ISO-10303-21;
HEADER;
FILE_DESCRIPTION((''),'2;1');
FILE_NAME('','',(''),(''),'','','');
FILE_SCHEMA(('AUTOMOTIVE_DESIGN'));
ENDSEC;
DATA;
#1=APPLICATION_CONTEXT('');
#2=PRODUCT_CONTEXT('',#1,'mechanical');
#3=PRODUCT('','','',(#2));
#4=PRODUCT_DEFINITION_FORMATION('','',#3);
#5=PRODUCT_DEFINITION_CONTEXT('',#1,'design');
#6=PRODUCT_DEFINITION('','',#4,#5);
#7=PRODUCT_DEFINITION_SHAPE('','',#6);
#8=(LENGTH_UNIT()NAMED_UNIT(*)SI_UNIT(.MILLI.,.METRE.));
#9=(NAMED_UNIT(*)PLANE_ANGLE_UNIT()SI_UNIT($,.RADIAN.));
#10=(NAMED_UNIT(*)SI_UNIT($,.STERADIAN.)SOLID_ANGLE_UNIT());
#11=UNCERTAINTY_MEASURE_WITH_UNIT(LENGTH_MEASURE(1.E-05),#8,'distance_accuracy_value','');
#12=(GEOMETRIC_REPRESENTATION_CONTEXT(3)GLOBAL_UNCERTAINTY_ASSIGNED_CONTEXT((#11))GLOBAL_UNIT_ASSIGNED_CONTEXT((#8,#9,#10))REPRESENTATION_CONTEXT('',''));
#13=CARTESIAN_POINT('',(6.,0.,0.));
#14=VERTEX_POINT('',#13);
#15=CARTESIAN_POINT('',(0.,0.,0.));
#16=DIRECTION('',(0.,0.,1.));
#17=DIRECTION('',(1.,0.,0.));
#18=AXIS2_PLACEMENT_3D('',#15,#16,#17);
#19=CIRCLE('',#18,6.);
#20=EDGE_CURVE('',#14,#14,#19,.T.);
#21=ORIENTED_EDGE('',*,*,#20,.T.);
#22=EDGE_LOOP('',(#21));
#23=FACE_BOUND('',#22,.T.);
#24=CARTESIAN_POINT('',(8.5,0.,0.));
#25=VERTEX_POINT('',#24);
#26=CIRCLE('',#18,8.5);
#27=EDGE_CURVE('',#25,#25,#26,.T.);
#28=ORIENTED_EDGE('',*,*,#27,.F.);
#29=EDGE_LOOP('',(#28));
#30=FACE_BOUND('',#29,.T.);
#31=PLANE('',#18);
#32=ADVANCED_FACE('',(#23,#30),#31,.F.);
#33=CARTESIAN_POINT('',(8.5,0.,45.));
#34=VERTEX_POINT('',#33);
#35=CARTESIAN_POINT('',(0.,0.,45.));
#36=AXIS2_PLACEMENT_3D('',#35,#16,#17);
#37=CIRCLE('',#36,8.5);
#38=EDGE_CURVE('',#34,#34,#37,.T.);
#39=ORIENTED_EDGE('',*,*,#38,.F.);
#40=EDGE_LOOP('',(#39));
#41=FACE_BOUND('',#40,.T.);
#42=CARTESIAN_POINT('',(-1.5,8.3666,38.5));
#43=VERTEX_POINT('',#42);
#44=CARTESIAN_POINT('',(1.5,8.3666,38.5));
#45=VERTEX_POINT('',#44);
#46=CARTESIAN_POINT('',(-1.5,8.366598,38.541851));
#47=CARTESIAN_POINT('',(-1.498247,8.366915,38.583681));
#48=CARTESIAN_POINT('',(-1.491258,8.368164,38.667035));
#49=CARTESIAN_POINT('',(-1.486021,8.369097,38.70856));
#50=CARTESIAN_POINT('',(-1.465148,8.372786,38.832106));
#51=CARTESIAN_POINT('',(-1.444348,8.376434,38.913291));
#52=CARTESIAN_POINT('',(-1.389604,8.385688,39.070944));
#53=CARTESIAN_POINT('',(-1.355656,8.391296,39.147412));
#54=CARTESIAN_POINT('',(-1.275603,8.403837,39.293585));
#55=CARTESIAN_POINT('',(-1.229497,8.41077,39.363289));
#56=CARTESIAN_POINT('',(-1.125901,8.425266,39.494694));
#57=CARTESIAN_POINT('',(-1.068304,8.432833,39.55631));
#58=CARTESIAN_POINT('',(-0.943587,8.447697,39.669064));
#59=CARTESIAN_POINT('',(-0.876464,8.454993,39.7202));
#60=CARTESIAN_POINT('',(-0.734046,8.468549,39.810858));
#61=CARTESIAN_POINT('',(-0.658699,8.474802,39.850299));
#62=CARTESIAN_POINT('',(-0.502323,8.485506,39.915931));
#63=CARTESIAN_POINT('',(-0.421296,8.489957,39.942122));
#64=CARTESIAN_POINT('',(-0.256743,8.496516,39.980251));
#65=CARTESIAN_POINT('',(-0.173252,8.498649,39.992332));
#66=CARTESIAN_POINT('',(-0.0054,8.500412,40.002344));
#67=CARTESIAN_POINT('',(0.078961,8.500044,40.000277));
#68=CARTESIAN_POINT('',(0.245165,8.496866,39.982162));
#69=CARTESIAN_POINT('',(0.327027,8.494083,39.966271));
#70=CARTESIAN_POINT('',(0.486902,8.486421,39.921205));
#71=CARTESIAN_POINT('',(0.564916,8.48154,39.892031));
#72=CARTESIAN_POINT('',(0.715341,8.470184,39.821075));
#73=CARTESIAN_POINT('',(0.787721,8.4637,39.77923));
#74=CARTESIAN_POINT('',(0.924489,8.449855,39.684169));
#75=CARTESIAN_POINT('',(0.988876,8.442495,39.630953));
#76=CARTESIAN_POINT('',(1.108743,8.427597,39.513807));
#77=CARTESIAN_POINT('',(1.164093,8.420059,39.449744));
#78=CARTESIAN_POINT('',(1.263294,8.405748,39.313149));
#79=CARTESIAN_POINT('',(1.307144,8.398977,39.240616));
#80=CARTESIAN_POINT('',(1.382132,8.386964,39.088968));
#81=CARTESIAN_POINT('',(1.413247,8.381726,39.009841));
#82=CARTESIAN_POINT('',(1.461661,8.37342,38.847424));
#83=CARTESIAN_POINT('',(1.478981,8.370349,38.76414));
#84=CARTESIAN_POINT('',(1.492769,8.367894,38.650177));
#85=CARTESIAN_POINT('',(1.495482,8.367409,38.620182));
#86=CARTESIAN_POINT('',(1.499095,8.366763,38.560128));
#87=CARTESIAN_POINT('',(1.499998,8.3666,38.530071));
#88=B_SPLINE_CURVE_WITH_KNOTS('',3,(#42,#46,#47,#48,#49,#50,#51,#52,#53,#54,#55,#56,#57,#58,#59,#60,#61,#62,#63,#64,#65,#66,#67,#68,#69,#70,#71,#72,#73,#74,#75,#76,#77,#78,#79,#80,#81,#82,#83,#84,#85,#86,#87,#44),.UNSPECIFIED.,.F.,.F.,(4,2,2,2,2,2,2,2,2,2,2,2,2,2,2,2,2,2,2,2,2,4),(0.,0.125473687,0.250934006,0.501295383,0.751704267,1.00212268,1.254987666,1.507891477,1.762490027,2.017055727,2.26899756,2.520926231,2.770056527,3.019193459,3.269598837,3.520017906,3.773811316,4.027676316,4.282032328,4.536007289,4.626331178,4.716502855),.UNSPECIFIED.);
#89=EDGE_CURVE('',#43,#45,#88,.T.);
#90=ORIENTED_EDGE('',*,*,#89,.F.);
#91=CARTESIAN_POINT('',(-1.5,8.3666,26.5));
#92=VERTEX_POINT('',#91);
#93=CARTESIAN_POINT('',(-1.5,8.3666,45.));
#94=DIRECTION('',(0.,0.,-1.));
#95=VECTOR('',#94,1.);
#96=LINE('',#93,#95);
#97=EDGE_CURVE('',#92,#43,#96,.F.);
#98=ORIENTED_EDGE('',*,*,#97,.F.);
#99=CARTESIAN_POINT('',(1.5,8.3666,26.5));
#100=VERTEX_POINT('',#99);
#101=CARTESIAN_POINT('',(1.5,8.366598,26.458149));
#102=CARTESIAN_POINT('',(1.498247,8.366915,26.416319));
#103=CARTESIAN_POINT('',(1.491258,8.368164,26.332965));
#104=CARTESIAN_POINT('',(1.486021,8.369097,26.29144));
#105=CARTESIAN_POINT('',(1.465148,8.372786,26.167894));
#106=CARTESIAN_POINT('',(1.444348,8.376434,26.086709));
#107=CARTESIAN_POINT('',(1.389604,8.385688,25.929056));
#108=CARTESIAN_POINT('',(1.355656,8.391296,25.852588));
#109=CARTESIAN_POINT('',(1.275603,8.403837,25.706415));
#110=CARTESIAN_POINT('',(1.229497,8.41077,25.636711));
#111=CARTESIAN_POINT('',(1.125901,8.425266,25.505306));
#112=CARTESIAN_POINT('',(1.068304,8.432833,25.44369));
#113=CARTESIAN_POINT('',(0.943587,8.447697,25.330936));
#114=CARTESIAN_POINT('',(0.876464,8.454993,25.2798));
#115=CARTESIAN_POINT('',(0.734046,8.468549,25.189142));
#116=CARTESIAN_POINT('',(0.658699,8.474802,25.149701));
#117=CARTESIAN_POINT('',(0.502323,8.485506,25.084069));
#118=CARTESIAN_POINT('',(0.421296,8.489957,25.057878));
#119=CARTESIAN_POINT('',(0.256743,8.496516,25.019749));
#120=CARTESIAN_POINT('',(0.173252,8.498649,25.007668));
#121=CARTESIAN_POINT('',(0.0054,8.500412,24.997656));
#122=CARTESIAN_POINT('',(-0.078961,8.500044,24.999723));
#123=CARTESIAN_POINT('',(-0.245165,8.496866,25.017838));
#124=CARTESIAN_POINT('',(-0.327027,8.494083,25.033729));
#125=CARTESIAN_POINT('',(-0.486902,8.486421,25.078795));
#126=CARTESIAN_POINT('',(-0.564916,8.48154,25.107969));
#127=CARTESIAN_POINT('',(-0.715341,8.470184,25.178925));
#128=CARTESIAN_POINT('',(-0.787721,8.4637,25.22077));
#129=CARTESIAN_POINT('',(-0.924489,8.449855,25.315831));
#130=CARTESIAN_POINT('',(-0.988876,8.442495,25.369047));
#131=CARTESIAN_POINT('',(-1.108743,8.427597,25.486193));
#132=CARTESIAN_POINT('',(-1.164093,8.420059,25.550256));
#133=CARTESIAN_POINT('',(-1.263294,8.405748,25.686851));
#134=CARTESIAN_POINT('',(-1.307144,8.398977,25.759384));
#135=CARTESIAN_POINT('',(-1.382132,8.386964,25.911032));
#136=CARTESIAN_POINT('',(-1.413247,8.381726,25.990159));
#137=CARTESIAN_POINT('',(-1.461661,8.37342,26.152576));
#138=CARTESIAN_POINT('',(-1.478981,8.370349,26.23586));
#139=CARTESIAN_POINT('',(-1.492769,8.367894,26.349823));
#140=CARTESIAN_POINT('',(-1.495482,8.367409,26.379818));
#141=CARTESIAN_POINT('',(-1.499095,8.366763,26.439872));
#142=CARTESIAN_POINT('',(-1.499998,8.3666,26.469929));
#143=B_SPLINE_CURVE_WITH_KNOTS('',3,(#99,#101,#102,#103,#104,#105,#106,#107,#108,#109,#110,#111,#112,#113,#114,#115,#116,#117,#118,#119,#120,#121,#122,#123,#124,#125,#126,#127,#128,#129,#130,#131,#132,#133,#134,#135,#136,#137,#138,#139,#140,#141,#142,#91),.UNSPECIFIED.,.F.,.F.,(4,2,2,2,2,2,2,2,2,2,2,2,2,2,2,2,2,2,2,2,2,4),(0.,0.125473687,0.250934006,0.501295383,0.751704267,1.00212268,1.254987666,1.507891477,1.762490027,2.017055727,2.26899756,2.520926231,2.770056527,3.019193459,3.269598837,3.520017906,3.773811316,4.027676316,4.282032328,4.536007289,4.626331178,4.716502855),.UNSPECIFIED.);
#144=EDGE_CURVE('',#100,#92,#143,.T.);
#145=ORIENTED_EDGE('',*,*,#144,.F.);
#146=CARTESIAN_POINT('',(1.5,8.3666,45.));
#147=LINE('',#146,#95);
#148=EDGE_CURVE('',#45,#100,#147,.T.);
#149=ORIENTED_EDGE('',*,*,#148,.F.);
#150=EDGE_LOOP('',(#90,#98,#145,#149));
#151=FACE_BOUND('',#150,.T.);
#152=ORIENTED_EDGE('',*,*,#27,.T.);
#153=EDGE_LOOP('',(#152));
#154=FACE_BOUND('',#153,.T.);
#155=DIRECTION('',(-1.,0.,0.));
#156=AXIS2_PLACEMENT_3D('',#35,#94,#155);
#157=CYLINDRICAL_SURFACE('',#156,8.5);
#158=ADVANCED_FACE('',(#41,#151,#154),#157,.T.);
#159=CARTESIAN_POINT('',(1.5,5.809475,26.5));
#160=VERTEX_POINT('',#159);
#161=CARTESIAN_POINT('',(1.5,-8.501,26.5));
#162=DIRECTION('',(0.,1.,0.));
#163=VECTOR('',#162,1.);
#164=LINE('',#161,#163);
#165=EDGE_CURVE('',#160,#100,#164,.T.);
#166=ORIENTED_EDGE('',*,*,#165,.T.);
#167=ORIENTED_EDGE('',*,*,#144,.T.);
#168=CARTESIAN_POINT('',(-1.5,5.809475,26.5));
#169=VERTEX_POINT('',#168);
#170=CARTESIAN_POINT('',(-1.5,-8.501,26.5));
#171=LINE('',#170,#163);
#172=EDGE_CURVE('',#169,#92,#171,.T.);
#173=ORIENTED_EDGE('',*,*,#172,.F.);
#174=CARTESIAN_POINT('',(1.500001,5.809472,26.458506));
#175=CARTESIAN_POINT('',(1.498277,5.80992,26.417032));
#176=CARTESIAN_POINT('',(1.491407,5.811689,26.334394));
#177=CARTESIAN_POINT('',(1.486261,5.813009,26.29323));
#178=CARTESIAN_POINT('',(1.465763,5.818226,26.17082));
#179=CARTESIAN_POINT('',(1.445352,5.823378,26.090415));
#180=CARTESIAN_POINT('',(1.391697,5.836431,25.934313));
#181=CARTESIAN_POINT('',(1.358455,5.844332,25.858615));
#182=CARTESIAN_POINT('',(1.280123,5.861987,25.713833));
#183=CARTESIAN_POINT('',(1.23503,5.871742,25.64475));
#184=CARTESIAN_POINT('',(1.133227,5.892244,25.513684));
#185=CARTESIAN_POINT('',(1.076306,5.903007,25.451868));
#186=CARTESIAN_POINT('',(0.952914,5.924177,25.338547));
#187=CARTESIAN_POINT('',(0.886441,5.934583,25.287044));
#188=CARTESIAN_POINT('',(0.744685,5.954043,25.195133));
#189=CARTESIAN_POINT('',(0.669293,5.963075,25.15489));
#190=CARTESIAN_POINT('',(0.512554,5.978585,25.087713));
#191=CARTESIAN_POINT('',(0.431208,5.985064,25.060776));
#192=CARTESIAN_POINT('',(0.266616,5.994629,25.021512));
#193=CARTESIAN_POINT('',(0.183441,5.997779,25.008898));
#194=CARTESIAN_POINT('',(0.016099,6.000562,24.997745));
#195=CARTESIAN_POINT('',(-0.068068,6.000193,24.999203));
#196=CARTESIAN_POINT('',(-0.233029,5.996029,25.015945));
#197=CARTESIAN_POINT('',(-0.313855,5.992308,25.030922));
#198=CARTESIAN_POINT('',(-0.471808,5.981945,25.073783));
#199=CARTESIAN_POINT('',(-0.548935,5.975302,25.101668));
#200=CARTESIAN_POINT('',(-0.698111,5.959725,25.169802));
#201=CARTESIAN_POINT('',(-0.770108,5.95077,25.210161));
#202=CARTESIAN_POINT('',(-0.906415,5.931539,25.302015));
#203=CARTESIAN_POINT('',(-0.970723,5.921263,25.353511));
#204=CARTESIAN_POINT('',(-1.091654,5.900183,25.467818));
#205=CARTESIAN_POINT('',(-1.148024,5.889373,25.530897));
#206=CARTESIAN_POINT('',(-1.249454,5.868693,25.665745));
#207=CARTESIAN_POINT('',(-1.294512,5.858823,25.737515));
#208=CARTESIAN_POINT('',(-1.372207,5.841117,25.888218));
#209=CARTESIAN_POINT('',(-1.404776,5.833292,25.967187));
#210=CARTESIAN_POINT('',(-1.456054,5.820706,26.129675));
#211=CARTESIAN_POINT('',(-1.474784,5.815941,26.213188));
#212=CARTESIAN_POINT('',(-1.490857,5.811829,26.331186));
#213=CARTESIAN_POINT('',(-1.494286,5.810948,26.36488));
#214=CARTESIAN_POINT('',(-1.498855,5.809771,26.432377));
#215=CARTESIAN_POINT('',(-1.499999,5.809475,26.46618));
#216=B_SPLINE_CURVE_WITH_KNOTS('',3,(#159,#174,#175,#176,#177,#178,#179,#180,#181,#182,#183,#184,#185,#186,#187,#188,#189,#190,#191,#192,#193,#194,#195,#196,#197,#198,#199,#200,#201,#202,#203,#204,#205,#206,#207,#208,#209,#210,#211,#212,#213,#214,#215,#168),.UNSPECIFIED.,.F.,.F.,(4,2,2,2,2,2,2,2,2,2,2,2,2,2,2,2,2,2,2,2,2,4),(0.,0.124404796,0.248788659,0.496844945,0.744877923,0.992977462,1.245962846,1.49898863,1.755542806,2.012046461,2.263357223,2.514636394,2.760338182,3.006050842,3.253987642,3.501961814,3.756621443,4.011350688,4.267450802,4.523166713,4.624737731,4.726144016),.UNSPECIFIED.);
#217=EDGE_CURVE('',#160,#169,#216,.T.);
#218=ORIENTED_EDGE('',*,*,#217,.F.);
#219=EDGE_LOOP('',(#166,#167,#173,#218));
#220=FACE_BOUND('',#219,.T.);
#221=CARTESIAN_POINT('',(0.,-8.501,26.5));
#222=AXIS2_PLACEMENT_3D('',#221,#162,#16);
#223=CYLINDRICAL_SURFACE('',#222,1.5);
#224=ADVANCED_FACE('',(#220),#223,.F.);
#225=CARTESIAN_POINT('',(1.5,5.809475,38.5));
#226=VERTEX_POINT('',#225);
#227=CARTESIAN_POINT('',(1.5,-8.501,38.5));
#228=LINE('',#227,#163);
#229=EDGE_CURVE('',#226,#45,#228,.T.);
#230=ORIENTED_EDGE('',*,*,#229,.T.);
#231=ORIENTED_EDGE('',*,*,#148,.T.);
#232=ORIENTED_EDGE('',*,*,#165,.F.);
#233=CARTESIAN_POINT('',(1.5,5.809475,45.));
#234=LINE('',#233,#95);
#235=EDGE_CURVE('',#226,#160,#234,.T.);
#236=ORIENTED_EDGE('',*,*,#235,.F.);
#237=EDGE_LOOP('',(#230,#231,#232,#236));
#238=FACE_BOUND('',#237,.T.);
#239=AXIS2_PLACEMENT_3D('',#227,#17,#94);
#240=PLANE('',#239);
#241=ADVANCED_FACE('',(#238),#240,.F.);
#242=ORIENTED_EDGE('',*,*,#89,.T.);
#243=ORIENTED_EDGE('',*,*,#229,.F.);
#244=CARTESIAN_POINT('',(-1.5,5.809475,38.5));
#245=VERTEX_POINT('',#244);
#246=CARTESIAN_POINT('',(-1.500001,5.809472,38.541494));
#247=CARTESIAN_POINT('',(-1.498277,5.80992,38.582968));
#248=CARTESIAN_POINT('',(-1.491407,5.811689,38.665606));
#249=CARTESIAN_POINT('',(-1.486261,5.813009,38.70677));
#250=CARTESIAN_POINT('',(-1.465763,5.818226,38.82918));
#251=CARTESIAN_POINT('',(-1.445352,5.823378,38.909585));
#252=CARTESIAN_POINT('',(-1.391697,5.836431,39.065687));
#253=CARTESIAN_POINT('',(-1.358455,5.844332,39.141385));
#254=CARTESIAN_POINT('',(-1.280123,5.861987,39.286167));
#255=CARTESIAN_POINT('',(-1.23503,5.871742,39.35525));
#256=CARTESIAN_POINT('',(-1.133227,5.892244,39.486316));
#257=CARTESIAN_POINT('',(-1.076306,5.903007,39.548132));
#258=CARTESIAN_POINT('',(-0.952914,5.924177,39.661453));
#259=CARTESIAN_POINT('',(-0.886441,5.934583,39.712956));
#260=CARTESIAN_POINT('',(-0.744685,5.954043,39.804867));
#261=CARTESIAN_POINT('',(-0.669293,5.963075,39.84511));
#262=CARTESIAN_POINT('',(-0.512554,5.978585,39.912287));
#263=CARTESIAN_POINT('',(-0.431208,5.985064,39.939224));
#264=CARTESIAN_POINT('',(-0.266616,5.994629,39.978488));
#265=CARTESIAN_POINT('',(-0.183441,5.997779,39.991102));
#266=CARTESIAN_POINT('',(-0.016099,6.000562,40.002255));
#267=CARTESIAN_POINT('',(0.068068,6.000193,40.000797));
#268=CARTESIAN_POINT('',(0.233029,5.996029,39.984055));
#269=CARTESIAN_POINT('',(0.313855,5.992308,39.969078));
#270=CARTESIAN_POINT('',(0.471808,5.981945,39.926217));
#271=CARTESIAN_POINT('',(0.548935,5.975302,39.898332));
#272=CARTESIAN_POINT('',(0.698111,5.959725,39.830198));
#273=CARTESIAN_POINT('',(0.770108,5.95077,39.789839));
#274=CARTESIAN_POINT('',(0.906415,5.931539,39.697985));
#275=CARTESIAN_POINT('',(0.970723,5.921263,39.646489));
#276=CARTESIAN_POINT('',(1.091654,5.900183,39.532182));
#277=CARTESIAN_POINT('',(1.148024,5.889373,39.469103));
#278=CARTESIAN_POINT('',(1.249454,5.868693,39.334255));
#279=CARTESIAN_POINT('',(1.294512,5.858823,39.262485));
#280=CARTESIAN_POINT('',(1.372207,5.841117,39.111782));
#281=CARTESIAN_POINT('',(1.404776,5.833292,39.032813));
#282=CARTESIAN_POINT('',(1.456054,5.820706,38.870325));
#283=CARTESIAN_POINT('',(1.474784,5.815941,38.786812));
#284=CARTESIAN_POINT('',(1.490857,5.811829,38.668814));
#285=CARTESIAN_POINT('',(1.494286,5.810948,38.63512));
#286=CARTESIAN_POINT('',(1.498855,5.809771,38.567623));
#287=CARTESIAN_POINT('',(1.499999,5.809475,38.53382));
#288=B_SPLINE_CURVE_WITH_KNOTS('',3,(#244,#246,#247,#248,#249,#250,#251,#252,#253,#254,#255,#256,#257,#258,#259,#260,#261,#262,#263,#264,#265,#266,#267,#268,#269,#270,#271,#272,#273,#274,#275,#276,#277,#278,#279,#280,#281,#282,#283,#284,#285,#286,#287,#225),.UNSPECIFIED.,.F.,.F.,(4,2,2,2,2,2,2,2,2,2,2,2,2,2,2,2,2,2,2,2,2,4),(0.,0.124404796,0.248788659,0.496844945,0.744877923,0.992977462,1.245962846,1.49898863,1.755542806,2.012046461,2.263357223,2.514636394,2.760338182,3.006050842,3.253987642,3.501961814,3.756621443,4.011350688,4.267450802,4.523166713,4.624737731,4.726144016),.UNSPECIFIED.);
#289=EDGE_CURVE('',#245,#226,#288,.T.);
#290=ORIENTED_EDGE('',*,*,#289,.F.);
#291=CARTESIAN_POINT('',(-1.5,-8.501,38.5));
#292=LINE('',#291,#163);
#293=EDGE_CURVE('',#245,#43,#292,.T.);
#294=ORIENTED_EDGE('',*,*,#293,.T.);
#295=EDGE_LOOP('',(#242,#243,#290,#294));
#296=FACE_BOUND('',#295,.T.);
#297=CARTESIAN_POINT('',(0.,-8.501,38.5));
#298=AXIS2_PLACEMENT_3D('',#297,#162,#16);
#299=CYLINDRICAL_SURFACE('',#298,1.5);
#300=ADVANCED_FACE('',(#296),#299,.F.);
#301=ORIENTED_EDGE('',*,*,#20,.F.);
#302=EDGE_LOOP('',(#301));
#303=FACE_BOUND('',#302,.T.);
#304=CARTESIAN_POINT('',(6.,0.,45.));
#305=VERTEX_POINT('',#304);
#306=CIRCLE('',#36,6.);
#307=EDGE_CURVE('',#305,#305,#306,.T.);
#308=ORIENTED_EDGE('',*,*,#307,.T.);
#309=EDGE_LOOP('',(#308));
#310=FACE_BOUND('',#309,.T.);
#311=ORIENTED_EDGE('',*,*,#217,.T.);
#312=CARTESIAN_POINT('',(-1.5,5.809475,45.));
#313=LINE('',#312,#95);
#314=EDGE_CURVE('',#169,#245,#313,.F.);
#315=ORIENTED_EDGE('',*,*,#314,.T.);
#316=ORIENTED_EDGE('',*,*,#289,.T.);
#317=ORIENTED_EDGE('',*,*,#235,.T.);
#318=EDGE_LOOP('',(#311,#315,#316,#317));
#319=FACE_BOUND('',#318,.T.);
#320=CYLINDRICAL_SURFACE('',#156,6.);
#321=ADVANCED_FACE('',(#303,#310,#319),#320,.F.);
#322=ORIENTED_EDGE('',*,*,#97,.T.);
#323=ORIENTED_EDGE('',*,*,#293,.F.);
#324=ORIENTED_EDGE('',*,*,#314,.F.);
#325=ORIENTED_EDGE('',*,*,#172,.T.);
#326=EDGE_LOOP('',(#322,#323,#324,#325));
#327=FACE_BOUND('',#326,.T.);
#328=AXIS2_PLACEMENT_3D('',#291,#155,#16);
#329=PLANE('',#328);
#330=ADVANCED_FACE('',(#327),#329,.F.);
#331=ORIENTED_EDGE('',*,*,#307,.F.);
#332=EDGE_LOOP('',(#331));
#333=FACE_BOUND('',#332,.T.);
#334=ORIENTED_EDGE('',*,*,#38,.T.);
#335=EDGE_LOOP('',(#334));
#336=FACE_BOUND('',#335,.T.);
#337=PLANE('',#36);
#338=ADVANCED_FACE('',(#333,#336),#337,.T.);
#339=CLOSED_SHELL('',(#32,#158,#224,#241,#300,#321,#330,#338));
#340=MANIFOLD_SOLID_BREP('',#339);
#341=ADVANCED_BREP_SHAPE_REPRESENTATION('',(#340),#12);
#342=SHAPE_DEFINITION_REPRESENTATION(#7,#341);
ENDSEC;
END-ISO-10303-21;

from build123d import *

# Parameters (mm, degrees)
SKETCH1_R           = 8.5
SKETCH1_R_2         = 6
BOSS_EXTRUDE1_DEPTH = 45
CUT_EXTRUDE1_REACH  = 19


with BuildPart() as part:
    # Sketch1 → Boss-Extrude1 (new body)
    with BuildSketch(Plane.XY):
        Circle(SKETCH1_R)
        Circle(SKETCH1_R_2, mode=Mode.SUBTRACT)
    extrude(amount=BOSS_EXTRUDE1_DEPTH)

    # Sketch2 → Cut-Extrude1 (cut, up to next)
    with BuildSketch(Plane(origin=(0, 8.5, 0), x_dir=(-1, 0, 0), z_dir=(0, 1, 0)), mode=Mode.PRIVATE) as cut_extrude1_sk1:
        with BuildLine():
            Line((1.5, 38.5), (1.5, 26.5))
            ThreePointArc((1.5, 26.5), (0, 25), (-1.5, 26.5))
            Line((-1.5, 26.5), (-1.5, 38.5))
            ThreePointArc((-1.5, 38.5), (0, 40), (1.5, 38.5))
        make_face()
    cut_extrude1_tool1 = extrude(cut_extrude1_sk1.sketch, amount=-CUT_EXTRUDE1_REACH, mode=Mode.PRIVATE) & part.part
    add(cut_extrude1_tool1.solids().sort_by_distance((0, 8.5, 32.5))[0], mode=Mode.SUBTRACT)


solid = part.part
